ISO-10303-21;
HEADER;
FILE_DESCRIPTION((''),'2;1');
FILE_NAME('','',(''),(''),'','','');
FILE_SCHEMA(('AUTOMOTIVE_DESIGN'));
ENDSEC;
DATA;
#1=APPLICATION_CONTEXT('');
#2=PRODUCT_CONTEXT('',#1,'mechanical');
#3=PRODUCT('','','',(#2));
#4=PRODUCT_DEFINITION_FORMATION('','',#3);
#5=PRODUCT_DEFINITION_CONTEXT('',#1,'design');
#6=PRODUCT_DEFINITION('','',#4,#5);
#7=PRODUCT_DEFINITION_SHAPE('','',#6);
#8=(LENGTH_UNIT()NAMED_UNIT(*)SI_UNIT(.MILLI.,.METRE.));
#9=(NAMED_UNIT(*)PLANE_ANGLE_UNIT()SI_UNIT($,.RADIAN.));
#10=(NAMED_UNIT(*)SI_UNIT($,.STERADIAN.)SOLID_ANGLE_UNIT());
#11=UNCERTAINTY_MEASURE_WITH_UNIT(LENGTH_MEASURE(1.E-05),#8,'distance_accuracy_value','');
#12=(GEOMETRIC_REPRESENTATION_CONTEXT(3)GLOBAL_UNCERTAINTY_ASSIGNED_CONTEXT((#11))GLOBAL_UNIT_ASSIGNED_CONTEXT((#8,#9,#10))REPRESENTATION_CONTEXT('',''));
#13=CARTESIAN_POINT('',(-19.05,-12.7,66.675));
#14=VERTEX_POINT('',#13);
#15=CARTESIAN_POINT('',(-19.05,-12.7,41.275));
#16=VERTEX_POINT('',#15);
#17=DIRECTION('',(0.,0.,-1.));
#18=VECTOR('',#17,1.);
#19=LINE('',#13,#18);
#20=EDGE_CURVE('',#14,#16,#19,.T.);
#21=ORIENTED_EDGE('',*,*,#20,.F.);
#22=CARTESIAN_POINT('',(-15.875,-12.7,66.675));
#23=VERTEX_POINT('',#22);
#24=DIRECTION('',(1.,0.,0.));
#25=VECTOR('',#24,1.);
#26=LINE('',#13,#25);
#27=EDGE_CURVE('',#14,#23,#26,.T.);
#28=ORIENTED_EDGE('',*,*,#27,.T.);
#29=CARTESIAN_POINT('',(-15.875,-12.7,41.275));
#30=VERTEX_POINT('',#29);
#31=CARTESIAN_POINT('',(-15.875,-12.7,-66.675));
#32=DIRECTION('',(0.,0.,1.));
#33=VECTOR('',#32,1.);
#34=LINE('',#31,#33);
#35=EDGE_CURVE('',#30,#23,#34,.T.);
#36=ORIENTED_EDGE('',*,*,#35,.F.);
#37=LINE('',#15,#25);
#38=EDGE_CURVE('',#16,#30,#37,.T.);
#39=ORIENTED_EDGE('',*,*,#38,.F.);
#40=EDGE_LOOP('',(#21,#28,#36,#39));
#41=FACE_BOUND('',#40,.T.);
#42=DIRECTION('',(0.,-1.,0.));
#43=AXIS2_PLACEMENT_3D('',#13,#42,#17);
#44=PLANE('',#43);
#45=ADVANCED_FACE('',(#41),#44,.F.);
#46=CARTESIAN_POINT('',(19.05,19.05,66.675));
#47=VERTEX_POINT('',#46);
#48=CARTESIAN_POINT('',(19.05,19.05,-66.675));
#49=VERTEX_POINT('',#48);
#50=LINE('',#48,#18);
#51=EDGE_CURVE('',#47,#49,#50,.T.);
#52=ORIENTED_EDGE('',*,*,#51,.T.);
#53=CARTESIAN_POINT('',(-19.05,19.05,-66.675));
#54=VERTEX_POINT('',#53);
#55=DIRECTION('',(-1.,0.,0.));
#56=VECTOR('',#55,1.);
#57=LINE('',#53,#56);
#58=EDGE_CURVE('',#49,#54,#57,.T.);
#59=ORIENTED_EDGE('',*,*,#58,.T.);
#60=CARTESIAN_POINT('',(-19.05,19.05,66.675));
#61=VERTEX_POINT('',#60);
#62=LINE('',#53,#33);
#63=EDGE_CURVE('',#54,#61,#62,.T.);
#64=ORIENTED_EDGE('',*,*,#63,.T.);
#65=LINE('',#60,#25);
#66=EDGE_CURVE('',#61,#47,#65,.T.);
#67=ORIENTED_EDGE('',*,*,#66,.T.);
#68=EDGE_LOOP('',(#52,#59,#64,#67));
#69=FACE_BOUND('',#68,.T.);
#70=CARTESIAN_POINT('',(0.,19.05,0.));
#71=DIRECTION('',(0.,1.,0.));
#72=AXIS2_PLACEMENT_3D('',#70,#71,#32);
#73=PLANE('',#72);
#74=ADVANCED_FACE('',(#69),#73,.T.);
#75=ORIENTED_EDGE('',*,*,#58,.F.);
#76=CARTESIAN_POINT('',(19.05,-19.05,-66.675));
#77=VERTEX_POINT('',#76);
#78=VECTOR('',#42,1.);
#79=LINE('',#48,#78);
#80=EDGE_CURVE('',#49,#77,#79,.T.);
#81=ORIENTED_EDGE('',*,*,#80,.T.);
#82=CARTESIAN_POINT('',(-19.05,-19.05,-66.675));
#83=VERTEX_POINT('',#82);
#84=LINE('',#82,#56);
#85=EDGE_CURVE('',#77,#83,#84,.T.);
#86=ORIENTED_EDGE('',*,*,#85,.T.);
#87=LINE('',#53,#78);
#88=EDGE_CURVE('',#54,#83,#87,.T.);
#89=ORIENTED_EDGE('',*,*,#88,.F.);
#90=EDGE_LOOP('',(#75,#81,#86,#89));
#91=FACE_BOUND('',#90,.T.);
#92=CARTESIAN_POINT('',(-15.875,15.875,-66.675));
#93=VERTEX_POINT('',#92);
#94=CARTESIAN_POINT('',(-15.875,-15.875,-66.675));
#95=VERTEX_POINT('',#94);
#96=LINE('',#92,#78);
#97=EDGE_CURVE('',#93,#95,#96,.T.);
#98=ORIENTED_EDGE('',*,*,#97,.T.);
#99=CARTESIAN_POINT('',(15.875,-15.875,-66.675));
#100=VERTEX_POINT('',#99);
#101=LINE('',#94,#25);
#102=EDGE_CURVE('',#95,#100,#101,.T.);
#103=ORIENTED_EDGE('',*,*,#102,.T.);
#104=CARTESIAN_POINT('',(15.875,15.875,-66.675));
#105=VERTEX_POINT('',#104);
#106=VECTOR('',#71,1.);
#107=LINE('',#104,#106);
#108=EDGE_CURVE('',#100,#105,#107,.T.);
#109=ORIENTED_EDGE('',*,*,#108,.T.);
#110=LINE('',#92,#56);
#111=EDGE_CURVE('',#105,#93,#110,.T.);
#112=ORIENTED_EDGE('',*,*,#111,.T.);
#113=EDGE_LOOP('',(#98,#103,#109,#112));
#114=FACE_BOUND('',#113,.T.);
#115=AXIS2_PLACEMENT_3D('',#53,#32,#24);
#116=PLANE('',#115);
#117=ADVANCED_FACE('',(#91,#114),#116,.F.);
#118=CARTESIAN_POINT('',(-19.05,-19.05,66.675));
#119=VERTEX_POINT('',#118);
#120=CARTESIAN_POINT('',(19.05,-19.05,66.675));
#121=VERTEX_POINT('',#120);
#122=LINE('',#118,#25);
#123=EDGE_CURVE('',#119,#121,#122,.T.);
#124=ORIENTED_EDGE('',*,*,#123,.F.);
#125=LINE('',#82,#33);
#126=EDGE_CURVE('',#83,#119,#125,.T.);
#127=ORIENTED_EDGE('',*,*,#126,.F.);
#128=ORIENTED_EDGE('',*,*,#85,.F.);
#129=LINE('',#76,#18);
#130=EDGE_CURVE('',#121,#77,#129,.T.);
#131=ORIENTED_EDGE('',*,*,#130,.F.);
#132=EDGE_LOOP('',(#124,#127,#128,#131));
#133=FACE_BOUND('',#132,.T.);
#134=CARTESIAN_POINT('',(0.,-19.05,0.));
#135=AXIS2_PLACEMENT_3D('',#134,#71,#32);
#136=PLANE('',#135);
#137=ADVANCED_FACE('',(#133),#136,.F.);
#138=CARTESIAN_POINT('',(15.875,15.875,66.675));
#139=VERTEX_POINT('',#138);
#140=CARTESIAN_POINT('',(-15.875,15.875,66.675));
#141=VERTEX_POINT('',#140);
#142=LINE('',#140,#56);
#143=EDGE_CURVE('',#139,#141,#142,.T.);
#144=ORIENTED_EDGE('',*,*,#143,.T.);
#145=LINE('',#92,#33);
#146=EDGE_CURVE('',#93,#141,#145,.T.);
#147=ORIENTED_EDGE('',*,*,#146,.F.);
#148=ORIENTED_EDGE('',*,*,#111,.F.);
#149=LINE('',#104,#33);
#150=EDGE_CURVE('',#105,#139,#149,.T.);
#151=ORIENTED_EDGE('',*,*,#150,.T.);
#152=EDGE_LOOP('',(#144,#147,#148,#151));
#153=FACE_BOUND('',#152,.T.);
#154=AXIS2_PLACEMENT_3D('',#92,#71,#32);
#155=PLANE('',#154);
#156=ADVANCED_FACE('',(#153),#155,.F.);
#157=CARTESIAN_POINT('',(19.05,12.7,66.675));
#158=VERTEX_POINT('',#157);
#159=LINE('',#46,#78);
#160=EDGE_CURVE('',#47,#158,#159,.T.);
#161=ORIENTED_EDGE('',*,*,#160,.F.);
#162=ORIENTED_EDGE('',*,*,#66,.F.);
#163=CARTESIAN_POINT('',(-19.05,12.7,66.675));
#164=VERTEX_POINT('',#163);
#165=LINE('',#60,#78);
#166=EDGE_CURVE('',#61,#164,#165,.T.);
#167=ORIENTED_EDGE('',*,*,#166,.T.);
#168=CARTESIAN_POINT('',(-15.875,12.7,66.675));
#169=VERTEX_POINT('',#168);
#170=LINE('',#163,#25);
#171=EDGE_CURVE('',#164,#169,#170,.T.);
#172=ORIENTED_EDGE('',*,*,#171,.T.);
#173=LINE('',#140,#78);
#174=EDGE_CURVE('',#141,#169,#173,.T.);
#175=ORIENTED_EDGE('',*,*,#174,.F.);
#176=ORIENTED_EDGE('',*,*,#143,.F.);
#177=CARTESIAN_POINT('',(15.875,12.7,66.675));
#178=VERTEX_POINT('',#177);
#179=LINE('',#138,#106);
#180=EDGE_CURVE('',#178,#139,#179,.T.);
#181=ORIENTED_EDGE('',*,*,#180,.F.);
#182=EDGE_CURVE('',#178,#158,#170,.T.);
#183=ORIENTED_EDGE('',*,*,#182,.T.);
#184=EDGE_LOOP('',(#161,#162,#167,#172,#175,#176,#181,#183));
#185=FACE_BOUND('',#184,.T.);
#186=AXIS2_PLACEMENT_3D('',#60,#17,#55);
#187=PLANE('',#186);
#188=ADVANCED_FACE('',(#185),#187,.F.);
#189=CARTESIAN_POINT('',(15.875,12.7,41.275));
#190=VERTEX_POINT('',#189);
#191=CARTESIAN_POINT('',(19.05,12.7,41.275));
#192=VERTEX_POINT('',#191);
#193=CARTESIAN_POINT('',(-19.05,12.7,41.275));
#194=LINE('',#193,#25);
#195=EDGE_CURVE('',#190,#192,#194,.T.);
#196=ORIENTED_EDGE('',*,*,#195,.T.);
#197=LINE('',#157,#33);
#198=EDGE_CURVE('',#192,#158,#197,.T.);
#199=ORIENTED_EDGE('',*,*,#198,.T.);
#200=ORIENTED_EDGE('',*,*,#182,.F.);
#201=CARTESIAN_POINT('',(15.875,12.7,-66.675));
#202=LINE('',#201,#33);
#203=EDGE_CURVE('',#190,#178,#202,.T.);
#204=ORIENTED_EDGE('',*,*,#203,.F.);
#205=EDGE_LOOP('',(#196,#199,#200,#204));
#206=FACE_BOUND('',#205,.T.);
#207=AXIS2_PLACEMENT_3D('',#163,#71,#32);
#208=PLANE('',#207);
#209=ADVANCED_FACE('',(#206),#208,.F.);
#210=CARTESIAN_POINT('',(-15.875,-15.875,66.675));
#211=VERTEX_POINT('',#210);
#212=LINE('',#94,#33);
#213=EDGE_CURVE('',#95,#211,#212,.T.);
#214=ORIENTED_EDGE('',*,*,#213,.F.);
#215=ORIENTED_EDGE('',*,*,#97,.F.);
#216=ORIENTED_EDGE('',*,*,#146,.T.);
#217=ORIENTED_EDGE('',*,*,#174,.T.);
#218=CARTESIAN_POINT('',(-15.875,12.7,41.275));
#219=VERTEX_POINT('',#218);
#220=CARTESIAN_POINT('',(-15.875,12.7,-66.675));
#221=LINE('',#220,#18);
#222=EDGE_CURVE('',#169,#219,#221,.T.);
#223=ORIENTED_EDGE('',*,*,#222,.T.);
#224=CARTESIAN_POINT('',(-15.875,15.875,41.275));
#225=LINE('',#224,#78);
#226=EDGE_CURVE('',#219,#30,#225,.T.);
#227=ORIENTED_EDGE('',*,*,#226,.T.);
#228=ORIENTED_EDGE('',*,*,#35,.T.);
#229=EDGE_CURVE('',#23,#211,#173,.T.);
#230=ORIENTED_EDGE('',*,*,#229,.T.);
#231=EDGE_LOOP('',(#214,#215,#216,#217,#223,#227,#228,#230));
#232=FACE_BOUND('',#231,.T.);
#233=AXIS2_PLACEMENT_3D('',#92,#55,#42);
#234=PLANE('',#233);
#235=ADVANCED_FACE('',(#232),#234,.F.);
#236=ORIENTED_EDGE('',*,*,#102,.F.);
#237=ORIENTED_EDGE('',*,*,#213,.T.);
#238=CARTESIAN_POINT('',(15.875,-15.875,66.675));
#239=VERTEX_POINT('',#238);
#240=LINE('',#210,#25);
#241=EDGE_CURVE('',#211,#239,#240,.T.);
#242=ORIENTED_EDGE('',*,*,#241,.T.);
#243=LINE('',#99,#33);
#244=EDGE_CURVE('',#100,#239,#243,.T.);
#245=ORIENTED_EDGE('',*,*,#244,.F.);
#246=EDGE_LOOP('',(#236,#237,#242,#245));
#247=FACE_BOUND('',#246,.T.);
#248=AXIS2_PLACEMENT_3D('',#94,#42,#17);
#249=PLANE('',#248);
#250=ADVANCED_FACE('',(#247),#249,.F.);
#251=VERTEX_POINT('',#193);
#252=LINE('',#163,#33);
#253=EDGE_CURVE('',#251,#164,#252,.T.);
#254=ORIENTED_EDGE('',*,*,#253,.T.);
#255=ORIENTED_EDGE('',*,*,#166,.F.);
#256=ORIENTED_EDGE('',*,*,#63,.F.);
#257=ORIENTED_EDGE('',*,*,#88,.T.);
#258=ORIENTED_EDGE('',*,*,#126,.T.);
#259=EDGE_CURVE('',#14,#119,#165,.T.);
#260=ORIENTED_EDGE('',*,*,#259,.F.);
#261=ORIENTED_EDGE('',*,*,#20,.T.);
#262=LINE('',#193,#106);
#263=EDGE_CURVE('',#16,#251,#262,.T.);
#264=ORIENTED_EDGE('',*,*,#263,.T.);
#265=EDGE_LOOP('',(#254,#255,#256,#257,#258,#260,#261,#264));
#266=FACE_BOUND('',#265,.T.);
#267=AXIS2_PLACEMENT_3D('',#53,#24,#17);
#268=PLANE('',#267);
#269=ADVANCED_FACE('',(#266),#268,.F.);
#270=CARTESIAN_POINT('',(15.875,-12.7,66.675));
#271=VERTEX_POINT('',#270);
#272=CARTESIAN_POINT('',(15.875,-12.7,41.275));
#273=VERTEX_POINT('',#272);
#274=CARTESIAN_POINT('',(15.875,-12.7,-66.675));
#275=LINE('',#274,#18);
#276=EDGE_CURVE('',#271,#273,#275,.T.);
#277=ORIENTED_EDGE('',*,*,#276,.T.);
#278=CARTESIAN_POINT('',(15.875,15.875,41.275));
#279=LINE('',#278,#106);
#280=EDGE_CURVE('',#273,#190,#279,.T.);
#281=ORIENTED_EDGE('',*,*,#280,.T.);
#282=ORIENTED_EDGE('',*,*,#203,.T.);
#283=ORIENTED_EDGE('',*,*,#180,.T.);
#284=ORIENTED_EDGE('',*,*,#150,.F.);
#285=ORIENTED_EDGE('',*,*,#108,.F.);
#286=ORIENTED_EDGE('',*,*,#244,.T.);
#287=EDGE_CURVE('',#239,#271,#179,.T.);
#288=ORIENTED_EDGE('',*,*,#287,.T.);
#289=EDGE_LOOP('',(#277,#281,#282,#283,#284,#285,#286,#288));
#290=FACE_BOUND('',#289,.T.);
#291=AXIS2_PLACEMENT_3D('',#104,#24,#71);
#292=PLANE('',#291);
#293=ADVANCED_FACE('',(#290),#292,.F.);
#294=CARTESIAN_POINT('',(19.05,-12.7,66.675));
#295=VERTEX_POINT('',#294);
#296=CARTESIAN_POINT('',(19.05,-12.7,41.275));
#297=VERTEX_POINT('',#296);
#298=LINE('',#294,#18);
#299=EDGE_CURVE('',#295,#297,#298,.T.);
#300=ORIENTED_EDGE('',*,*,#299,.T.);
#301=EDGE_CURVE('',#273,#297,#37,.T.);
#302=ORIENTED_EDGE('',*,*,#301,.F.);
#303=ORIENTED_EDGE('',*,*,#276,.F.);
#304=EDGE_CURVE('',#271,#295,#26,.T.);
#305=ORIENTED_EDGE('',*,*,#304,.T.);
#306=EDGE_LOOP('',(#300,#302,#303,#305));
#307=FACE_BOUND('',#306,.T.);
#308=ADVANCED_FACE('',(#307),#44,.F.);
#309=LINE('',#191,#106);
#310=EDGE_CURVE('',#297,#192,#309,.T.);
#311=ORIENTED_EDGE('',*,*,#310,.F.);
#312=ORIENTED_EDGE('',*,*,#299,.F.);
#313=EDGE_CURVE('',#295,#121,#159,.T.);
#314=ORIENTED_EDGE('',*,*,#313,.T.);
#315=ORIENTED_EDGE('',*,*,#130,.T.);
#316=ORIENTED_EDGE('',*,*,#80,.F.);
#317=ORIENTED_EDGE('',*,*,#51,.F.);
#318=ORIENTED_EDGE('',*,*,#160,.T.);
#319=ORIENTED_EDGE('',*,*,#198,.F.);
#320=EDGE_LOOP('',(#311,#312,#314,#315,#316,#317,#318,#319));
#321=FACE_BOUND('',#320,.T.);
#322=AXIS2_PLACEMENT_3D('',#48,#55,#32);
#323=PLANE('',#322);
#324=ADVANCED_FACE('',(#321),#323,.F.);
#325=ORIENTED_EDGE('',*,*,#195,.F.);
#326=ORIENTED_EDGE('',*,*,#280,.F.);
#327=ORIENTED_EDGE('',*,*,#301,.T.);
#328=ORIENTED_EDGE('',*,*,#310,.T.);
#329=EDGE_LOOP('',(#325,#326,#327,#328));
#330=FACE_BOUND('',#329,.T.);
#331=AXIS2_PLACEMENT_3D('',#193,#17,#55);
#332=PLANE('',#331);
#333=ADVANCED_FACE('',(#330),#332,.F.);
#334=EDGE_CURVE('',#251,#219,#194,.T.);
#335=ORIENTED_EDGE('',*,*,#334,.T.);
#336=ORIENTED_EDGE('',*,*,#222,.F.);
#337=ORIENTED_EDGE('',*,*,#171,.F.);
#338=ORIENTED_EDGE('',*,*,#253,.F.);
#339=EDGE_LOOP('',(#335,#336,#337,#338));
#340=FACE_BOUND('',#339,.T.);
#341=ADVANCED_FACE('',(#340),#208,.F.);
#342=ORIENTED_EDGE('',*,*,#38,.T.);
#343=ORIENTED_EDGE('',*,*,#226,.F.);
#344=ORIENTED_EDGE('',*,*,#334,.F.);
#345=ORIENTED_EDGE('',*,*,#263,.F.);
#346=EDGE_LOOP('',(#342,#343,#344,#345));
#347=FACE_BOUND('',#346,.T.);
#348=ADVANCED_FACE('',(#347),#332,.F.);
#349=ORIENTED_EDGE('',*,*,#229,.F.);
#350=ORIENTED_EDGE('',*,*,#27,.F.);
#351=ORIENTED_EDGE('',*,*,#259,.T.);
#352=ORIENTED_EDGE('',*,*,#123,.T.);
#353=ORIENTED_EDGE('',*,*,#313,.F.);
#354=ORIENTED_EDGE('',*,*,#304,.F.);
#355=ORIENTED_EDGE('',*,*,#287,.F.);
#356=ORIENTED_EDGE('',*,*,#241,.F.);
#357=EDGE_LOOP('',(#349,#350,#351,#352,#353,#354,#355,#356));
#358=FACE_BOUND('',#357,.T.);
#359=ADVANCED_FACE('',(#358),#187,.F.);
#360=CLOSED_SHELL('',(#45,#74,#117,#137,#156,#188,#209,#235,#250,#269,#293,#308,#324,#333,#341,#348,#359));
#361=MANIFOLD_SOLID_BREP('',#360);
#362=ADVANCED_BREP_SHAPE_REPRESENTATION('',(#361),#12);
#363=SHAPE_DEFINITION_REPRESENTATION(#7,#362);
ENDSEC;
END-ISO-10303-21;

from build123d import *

# Parameters (mm, degrees)
SKETCH1_W           = 38.1
SKETCH1_H           = 133.35
BOSS_EXTRUDE1_DEPTH = 19.05
SKETCH2_W           = 31.75
SKETCH2_H           = 31.75
CUT_EXTRUDE1_DEPTH  = 134.35
SKETCH3_W           = 25.4
SKETCH3_H           = 25.4
CUT_EXTRUDE2_DEPTH  = 39.1


with BuildPart() as part:
    # Sketch1 → Boss-Extrude1 (new body, symmetric)
    with BuildSketch(Plane(origin=(0, 0, 0), x_dir=(1, 0, 0), z_dir=(0, 1, 0))):
        Rectangle(SKETCH1_W, SKETCH1_H)
    extrude(amount=BOSS_EXTRUDE1_DEPTH, both=True)

    # Sketch2 → Cut-Extrude1 (cut, through all)
    with BuildSketch(Plane.XY.offset(66.675)):
        Rectangle(SKETCH2_W, SKETCH2_H)
    extrude(amount=-CUT_EXTRUDE1_DEPTH, mode=Mode.SUBTRACT)

    # Sketch3 → Cut-Extrude2 (cut, through all)
    with BuildSketch(Plane(origin=(19.05, 0, 0), x_dir=(0, 0, -1), z_dir=(1, 0, 0))):
        with Locations((-53.975, 0)):
            Rectangle(SKETCH3_W, SKETCH3_H)
    extrude(amount=-CUT_EXTRUDE2_DEPTH, mode=Mode.SUBTRACT)


solid = part.part
